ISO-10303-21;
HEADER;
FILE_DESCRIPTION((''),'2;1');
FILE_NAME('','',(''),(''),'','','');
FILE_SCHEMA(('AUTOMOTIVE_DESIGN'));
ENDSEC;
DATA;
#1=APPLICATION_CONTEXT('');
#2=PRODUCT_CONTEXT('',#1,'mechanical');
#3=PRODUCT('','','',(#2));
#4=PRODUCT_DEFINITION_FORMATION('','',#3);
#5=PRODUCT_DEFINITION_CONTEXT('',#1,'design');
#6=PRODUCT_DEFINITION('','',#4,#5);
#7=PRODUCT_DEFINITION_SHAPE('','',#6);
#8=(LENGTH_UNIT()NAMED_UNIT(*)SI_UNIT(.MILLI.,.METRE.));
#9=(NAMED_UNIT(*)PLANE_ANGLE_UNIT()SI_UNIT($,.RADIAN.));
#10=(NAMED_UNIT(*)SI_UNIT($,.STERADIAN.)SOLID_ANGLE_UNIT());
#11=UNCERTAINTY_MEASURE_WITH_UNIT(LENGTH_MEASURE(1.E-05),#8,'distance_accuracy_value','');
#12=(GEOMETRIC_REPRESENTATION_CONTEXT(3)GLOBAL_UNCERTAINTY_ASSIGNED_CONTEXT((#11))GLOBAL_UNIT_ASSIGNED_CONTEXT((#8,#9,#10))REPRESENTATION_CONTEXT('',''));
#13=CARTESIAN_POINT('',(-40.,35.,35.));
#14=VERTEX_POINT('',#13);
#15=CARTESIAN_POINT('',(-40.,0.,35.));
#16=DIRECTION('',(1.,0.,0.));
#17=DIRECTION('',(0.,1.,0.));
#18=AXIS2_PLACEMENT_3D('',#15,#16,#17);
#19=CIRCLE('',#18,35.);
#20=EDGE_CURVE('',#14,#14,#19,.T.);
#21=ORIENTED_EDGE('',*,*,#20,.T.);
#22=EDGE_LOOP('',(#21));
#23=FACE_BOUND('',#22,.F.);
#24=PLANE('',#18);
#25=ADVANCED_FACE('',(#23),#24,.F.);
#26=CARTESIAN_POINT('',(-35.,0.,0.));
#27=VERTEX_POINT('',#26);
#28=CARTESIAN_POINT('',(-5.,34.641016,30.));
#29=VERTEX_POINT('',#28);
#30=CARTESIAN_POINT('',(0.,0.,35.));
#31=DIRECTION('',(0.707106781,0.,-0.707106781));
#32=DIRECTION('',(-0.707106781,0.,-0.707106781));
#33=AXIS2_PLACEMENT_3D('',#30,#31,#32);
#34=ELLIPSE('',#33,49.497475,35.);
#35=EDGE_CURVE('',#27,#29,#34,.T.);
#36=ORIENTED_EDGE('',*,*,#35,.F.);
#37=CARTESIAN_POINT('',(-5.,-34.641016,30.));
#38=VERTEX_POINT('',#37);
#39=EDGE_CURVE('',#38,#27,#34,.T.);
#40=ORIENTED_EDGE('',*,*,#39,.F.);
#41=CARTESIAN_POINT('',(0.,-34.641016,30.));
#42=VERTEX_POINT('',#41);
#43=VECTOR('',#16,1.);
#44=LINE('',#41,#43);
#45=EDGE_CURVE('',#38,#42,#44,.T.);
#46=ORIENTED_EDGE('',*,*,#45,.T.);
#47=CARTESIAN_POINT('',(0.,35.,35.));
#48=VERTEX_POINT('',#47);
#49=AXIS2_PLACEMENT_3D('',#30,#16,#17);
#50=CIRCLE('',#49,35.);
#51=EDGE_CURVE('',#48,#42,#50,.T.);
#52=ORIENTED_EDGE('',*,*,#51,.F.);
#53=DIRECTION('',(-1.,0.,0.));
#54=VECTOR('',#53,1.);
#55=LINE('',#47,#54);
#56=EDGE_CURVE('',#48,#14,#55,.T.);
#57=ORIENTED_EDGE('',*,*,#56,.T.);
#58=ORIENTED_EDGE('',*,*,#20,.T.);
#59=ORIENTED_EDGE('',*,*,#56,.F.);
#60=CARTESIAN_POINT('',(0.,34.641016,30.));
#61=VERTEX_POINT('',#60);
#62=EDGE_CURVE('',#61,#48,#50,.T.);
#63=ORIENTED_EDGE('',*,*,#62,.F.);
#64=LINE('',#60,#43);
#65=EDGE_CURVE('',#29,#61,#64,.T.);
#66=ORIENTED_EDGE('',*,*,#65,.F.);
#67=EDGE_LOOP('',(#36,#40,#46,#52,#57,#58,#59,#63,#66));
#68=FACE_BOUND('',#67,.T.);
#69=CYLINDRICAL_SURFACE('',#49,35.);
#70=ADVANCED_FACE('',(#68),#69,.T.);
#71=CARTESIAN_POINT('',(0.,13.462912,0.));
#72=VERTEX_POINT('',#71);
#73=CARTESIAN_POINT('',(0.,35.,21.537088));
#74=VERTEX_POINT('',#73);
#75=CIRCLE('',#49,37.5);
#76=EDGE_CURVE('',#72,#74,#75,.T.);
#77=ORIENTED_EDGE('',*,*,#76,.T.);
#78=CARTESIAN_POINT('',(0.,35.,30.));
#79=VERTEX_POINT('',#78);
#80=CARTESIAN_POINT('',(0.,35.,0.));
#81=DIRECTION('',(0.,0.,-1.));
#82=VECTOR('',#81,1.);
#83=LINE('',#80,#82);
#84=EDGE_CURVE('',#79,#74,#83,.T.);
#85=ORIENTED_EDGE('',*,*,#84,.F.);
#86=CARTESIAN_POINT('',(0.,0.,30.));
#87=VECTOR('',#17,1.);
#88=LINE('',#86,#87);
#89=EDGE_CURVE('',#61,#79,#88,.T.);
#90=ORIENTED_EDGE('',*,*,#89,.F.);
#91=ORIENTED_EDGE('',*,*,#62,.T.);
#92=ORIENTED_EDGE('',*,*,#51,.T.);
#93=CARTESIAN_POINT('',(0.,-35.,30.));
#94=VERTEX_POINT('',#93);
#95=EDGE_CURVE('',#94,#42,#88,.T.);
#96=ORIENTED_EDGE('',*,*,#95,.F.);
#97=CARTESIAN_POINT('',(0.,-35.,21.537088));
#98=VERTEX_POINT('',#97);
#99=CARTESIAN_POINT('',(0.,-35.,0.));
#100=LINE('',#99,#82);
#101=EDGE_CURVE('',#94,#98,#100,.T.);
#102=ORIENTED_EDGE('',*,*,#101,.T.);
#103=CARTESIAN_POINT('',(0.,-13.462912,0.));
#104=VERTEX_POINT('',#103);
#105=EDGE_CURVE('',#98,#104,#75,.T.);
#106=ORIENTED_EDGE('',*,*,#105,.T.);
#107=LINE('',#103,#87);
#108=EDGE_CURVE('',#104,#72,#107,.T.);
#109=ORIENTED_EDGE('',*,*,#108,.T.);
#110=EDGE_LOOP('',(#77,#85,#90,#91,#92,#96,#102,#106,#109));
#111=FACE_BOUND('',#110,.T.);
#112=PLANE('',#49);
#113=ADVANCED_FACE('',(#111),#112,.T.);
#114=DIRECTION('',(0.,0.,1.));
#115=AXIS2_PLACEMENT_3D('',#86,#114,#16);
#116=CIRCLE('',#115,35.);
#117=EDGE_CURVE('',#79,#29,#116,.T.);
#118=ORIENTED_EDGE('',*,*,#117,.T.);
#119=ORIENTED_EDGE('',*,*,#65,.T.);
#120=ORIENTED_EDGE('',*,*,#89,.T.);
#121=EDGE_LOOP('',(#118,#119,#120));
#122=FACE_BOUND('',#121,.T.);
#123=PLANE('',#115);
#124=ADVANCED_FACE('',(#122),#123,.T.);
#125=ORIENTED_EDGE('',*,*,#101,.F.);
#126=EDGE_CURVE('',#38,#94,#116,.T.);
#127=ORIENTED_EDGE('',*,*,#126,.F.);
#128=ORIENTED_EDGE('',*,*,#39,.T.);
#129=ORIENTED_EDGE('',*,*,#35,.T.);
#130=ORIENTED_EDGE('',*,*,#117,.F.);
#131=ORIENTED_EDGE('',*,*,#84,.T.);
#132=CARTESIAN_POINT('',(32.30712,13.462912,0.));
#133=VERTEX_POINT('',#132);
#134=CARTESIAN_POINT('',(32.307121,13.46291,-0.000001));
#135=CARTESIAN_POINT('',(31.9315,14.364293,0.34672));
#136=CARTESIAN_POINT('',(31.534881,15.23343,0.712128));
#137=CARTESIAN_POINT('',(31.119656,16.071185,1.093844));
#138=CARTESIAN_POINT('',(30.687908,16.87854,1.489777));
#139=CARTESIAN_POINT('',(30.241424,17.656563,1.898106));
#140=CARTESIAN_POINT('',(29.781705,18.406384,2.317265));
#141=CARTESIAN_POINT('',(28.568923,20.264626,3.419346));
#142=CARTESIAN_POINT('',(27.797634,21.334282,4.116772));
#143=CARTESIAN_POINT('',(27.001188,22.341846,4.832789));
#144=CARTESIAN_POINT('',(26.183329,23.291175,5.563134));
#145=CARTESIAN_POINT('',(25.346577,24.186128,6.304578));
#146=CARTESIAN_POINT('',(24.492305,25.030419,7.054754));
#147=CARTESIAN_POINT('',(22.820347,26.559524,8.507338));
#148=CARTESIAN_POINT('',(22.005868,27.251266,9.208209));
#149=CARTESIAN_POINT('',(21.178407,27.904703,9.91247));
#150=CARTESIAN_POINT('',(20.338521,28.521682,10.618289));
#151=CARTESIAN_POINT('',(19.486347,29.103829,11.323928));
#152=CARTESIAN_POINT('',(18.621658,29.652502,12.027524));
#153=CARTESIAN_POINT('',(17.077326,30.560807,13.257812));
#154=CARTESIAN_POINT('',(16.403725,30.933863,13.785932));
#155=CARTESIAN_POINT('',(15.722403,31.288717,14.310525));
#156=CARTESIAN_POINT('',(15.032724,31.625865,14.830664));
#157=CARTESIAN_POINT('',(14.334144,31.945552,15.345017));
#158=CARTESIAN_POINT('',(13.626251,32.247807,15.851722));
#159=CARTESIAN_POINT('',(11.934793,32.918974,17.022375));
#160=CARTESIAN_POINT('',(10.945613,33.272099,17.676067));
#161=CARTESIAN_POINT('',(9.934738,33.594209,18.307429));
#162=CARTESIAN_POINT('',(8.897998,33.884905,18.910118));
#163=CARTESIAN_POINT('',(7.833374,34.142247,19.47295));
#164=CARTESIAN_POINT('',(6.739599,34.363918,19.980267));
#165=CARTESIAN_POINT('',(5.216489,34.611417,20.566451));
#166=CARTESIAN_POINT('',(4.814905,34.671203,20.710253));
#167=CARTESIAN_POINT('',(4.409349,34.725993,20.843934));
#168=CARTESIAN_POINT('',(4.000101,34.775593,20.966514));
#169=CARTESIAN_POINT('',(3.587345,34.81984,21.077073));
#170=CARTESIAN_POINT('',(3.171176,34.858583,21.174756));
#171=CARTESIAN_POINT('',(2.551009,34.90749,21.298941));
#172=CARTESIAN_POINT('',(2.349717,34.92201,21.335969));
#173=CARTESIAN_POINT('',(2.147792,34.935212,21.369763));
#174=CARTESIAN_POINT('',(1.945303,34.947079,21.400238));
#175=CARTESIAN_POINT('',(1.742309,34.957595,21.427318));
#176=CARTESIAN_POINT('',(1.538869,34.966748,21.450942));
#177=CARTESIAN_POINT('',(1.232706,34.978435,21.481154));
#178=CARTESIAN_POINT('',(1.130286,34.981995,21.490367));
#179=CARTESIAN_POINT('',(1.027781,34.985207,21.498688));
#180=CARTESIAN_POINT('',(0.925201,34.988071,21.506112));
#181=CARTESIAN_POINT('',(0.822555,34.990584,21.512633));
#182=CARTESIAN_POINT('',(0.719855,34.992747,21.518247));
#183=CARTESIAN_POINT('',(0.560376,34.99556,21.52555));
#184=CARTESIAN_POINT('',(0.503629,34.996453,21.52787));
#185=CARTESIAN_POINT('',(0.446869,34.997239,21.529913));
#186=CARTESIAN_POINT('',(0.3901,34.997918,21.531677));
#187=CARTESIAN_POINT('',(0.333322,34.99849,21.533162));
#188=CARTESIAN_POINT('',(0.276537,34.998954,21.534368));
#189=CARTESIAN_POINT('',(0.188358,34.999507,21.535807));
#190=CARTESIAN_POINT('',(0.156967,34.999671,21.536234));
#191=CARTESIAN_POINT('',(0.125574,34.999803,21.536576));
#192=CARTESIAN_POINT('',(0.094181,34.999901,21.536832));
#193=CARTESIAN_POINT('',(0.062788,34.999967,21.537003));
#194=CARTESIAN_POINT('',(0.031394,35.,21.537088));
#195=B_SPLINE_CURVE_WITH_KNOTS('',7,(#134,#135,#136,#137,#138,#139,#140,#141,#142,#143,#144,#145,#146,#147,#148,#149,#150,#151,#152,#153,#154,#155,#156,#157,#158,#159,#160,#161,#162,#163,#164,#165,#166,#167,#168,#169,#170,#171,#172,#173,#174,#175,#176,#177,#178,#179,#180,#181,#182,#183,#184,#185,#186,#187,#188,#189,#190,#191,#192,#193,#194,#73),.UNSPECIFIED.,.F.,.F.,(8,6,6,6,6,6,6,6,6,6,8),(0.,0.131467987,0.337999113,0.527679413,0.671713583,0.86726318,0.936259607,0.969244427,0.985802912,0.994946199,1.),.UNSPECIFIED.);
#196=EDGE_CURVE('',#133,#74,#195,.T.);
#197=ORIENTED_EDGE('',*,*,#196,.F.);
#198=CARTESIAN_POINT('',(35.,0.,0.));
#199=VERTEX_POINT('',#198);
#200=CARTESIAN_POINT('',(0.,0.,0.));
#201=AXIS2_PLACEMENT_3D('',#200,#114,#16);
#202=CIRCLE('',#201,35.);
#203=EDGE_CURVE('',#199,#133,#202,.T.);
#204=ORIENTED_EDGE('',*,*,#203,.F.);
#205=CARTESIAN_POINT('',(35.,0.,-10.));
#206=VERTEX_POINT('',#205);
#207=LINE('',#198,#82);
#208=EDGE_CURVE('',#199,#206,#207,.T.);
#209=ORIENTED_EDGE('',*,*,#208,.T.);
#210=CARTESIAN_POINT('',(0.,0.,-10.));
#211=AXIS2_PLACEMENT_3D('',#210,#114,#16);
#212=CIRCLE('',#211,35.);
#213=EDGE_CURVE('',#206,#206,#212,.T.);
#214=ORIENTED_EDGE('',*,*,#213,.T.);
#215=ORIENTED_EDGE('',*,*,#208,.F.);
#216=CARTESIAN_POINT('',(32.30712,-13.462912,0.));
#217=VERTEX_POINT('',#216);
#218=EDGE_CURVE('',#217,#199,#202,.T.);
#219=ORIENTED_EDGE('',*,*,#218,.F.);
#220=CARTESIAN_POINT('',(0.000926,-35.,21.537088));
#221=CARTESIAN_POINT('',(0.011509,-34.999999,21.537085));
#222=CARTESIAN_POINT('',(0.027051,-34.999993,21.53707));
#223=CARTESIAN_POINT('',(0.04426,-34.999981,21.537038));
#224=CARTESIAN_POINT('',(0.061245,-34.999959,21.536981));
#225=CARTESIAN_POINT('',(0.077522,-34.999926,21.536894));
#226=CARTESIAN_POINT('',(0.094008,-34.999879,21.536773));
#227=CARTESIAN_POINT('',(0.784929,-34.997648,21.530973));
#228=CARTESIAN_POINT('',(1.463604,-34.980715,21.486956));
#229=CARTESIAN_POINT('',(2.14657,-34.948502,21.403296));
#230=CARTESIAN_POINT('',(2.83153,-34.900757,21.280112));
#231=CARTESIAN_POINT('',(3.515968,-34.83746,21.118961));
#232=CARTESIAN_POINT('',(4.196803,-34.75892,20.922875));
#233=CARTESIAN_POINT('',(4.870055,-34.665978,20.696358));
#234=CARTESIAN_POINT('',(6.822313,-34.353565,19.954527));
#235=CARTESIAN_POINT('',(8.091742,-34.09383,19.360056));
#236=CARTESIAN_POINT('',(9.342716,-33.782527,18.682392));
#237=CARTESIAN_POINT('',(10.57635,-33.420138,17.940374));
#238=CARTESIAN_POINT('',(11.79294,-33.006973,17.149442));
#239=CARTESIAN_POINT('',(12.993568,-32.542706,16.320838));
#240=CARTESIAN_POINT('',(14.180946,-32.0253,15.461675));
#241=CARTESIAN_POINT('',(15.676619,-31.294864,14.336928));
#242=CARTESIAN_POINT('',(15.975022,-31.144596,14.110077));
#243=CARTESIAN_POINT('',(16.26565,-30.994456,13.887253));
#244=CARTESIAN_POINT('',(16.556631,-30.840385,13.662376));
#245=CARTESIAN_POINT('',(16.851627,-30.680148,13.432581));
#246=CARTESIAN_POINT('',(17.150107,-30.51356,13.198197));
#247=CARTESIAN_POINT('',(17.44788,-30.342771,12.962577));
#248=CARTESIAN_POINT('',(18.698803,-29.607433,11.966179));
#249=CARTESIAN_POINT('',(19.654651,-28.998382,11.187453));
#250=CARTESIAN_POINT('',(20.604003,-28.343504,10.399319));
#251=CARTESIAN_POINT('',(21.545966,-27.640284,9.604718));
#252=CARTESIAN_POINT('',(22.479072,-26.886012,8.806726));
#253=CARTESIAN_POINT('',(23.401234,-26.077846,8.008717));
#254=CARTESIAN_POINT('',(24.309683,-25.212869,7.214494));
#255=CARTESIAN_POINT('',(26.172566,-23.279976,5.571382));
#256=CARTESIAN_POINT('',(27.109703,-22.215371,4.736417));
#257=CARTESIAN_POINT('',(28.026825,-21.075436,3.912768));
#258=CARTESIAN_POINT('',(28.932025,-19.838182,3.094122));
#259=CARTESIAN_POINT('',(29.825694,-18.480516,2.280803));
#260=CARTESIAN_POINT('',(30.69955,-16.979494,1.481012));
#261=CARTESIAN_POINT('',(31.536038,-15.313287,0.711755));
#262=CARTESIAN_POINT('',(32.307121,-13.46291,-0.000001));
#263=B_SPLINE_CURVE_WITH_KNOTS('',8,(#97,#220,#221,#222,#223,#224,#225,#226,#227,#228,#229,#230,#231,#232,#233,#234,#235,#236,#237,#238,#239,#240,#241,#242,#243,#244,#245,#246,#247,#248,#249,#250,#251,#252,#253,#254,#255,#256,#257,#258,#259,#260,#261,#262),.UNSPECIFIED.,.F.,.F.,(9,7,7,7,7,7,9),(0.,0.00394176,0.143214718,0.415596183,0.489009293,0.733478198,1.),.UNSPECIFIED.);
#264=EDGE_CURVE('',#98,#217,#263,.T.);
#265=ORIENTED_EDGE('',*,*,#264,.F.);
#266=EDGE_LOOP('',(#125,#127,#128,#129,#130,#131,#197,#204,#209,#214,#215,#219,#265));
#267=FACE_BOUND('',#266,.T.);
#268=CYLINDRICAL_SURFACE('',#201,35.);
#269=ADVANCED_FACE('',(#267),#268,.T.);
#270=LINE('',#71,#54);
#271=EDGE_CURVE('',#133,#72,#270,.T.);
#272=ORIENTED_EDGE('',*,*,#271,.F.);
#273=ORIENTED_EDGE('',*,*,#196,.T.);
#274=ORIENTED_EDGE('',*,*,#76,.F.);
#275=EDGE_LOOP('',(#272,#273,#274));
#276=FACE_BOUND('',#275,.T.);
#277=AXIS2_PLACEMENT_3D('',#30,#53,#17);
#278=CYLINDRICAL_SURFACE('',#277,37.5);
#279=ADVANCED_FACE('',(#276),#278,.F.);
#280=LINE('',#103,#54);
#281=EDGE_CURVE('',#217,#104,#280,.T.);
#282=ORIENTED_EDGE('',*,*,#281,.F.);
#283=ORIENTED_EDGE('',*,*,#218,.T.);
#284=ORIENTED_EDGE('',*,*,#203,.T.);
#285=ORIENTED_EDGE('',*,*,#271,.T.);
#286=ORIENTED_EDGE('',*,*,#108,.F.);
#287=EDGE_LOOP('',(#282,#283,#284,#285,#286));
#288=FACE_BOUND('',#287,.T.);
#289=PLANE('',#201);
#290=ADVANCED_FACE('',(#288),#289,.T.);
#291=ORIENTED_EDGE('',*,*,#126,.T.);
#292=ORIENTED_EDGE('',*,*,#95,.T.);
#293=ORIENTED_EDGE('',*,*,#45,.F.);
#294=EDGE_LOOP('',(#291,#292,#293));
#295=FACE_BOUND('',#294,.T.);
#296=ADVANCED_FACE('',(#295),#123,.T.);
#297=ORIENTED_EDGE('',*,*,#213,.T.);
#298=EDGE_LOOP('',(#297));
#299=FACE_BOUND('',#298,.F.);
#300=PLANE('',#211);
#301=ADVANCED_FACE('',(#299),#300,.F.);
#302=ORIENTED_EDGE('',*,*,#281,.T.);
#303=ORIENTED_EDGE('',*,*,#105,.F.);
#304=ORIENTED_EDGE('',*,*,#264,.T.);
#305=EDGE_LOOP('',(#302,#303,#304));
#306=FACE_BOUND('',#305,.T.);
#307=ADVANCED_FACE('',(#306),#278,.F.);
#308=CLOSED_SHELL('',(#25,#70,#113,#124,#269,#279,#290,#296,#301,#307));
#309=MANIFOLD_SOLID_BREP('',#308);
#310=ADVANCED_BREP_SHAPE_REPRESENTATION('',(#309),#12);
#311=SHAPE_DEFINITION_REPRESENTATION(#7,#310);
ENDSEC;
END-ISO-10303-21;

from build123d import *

# Parameters (mm, degrees)
SKETCH_R     = 35
PAD_DEPTH    = 30
SKETCH001_R  = 35
PAD001_DEPTH = 40
SKETCH002_R  = 37.5
POCKET_DEPTH = 35
PAD002_DEPTH = 10


with BuildPart() as part:
    # Sketch → Pad (new body)
    with BuildSketch(Plane.XY):
        Circle(SKETCH_R)
    extrude(amount=PAD_DEPTH)

    # Sketch001 → Pad001 (join)
    with BuildSketch(Plane.YZ):
        with Locations((0, 35)):
            Circle(SKETCH001_R)
    extrude(amount=-PAD001_DEPTH)

    # Sketch002 → Pocket (cut)
    with BuildSketch(Plane.YZ):
        with Locations((0, 35)):
            Circle(SKETCH002_R)
    extrude(amount=POCKET_DEPTH, mode=Mode.SUBTRACT)

    # Sketch → Pad002 (join)
    with BuildSketch(Plane.XY):
        Circle(SKETCH_R)
    extrude(amount=-PAD002_DEPTH)


solid = part.part
